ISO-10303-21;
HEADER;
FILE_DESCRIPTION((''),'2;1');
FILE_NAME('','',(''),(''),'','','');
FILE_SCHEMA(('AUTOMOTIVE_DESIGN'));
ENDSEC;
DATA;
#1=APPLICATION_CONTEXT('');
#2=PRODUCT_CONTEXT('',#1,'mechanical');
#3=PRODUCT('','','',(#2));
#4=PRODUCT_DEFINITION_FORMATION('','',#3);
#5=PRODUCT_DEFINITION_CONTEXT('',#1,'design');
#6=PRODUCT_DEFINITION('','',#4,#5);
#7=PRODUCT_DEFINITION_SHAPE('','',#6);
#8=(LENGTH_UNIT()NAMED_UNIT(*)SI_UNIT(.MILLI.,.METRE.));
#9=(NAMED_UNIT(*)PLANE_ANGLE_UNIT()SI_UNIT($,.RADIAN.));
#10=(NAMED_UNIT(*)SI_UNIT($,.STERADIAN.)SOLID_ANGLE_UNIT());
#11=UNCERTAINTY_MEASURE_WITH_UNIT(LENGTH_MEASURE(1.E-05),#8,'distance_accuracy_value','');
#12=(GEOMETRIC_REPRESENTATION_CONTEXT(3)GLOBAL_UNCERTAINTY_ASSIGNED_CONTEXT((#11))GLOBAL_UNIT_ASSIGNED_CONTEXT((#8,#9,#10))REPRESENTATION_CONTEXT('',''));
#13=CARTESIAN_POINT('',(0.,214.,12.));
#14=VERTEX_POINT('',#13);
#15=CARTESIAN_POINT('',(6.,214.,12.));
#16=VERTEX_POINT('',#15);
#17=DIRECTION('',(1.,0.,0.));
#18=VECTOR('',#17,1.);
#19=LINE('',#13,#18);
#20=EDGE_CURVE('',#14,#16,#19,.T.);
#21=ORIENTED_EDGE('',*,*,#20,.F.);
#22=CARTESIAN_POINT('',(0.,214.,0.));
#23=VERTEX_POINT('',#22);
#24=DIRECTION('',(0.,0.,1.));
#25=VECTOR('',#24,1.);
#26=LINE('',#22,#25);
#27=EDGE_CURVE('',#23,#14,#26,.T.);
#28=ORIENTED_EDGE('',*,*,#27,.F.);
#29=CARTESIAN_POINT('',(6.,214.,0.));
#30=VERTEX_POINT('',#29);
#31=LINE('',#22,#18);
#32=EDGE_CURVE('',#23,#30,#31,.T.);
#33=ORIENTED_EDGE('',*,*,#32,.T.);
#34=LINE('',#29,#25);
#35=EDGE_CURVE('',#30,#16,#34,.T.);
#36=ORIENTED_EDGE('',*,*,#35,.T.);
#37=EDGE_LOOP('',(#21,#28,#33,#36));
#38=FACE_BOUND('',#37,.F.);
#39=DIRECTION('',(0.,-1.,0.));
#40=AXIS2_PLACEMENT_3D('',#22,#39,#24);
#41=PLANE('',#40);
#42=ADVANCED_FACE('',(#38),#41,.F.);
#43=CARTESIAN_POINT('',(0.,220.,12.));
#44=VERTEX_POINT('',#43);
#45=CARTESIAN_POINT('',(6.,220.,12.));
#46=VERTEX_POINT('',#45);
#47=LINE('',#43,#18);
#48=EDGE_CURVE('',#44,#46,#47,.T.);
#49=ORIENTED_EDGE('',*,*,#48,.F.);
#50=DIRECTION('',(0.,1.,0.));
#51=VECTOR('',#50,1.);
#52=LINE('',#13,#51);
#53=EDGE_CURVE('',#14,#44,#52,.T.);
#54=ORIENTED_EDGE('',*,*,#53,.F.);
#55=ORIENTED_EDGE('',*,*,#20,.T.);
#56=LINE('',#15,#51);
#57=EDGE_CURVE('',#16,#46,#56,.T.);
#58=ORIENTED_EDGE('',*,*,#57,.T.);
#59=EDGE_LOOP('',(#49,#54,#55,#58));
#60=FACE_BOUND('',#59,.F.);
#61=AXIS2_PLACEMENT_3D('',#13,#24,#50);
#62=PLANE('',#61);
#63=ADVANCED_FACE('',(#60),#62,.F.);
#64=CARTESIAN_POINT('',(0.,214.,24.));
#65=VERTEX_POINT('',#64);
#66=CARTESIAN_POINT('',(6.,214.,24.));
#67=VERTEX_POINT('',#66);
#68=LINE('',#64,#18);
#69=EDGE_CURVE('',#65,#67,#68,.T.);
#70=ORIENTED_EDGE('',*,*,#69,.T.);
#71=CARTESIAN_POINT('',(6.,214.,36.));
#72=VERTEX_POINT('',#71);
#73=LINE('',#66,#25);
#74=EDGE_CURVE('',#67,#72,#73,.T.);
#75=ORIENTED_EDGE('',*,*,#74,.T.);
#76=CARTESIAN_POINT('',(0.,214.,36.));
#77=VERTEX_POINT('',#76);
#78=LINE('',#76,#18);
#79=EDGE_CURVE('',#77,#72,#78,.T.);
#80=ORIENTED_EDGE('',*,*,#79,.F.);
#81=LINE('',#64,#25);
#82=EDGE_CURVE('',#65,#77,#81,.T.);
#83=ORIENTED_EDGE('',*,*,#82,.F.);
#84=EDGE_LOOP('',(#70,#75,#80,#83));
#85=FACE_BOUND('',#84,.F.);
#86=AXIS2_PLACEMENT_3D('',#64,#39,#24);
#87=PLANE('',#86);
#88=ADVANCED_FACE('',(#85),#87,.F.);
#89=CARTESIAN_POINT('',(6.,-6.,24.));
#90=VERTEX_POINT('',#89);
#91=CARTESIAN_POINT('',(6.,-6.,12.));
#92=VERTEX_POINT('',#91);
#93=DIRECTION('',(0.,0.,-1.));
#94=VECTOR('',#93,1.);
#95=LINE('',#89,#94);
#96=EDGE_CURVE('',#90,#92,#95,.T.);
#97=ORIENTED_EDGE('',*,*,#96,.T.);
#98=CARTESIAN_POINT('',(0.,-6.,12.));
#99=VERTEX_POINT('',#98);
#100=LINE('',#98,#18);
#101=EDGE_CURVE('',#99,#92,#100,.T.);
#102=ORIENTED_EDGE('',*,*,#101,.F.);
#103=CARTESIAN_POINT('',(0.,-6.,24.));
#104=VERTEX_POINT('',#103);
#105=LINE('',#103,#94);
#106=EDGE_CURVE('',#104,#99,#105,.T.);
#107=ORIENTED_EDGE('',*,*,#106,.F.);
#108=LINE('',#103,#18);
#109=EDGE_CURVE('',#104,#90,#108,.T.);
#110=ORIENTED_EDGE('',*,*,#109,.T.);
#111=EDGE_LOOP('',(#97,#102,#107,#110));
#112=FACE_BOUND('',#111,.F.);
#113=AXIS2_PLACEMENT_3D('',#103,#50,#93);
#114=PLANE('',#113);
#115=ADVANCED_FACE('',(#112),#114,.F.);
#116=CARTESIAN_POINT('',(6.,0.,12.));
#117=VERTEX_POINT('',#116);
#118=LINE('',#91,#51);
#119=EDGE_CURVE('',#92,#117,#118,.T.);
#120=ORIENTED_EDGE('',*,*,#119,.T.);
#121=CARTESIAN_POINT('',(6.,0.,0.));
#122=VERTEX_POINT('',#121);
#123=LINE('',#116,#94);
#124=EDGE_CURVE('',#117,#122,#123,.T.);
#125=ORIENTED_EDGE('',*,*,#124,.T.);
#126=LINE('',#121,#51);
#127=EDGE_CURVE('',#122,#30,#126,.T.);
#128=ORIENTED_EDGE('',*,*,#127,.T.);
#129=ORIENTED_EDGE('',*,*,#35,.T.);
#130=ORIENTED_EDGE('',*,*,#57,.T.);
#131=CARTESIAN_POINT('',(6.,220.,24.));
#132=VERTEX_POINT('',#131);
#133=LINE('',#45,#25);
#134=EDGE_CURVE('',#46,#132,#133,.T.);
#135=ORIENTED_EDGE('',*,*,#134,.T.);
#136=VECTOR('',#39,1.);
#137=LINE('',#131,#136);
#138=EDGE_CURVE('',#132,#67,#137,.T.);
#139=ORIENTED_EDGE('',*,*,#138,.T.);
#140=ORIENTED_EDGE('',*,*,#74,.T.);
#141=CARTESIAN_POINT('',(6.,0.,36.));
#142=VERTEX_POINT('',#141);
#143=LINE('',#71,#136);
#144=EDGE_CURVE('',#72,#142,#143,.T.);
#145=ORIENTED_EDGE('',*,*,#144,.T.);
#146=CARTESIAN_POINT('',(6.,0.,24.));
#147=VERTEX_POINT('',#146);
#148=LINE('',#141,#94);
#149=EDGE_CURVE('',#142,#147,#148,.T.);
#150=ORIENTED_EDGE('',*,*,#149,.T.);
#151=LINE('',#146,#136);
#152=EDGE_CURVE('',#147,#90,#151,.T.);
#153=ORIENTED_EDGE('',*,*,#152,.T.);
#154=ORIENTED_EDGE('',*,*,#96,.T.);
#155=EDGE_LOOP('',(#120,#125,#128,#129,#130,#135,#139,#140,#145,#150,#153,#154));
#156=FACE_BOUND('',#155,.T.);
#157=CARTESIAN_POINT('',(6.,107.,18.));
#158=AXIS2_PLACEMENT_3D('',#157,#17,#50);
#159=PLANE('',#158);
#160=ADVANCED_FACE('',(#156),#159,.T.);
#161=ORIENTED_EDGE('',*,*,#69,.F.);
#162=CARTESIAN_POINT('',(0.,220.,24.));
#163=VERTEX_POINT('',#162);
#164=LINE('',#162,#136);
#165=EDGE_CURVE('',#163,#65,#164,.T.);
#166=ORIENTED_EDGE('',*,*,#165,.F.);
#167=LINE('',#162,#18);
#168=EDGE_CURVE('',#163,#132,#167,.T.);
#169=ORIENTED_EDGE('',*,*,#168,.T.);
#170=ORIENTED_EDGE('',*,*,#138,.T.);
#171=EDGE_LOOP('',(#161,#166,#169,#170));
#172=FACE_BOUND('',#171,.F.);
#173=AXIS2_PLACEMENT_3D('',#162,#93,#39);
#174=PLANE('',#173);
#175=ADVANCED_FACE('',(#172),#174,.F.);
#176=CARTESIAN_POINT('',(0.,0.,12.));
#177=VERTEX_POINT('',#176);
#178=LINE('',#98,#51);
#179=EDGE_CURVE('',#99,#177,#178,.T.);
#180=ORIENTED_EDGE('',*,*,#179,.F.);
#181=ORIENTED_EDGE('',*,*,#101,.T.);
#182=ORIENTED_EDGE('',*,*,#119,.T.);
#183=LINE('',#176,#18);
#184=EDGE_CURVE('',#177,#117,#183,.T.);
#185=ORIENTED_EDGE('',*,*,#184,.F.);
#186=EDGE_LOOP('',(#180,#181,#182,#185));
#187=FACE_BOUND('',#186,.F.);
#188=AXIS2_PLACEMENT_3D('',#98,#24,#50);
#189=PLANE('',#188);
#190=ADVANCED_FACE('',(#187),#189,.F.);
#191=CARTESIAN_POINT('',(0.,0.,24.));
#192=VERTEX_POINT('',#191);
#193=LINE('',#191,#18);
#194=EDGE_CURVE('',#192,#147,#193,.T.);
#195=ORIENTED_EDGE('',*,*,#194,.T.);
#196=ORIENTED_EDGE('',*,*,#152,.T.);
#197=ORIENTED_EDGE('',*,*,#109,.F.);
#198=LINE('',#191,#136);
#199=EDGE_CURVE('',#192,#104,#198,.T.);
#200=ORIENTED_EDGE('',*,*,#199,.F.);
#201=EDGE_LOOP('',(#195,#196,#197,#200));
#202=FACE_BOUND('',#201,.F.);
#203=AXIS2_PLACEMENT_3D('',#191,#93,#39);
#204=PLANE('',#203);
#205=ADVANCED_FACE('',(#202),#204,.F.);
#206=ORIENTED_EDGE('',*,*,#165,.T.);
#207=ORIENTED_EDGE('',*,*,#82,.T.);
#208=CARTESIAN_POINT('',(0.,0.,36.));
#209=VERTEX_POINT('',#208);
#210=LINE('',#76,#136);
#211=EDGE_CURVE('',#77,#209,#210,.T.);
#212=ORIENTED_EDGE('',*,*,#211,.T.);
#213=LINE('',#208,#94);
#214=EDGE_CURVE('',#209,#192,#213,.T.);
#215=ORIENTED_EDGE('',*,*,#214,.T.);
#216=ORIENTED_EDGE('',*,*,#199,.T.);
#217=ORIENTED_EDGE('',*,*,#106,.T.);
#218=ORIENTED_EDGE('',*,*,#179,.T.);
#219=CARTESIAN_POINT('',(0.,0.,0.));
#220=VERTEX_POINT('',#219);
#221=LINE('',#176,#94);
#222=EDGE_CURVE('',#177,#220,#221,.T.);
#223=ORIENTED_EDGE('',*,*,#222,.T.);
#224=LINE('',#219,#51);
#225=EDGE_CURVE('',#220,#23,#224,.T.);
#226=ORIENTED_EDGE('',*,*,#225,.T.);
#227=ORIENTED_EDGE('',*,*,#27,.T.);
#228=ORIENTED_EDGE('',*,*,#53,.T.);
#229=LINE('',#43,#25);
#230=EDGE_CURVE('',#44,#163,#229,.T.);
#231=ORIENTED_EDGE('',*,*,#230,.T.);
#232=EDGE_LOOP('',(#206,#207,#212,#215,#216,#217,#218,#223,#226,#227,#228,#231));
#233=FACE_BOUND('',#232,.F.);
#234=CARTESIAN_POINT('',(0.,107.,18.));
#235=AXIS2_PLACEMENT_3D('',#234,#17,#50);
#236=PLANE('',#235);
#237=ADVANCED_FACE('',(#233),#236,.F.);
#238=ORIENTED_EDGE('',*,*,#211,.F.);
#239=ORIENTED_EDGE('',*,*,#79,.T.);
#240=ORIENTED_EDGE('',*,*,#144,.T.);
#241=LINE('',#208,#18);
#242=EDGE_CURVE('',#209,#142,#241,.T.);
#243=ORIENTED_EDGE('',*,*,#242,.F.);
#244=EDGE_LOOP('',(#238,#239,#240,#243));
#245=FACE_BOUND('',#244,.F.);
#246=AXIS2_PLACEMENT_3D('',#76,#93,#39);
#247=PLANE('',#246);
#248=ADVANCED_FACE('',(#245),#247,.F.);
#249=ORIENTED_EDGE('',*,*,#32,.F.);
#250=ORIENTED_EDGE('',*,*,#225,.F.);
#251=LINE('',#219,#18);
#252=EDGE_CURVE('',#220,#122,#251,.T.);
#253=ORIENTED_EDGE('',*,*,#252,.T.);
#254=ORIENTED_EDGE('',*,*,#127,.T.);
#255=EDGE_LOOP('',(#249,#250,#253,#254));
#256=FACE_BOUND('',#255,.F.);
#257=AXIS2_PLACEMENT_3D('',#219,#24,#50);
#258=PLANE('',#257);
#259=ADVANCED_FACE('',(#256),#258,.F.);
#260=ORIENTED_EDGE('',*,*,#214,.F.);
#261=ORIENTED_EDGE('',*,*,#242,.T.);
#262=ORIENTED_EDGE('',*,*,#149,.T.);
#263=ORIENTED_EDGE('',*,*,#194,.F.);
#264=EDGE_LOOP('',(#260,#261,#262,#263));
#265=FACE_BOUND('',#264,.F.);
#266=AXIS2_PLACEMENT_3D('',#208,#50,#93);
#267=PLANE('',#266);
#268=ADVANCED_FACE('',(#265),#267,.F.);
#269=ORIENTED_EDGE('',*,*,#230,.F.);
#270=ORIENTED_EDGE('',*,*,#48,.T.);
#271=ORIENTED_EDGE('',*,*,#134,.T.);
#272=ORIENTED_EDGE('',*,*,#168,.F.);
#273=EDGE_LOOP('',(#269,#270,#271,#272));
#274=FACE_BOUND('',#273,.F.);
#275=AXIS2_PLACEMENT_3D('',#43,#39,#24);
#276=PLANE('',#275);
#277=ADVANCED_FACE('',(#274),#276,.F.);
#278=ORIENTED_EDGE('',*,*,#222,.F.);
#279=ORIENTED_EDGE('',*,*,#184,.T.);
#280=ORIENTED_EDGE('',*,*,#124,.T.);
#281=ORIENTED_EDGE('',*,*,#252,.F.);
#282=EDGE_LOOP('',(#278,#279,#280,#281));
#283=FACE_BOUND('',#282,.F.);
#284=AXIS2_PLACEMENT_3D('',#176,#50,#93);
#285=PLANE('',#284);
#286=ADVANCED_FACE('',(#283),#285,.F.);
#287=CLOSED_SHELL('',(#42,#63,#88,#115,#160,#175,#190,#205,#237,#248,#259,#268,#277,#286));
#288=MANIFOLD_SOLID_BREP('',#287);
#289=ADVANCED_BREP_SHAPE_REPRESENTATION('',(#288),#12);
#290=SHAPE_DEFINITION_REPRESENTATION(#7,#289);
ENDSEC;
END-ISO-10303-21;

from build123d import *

# Parameters (mm, degrees)
PAD_DEPTH = 6


with BuildPart() as part:
    # Sketch → Pad (new body)
    with BuildSketch(Plane.YZ):
        Polygon((0, 0), (214, 0), (214, 12), (220, 12), (220, 24), (214, 24), (214, 36), (0, 36), (0, 24), (-6, 24), (-6, 12), (0, 12), align=None)
    extrude(amount=PAD_DEPTH)


solid = part.part
